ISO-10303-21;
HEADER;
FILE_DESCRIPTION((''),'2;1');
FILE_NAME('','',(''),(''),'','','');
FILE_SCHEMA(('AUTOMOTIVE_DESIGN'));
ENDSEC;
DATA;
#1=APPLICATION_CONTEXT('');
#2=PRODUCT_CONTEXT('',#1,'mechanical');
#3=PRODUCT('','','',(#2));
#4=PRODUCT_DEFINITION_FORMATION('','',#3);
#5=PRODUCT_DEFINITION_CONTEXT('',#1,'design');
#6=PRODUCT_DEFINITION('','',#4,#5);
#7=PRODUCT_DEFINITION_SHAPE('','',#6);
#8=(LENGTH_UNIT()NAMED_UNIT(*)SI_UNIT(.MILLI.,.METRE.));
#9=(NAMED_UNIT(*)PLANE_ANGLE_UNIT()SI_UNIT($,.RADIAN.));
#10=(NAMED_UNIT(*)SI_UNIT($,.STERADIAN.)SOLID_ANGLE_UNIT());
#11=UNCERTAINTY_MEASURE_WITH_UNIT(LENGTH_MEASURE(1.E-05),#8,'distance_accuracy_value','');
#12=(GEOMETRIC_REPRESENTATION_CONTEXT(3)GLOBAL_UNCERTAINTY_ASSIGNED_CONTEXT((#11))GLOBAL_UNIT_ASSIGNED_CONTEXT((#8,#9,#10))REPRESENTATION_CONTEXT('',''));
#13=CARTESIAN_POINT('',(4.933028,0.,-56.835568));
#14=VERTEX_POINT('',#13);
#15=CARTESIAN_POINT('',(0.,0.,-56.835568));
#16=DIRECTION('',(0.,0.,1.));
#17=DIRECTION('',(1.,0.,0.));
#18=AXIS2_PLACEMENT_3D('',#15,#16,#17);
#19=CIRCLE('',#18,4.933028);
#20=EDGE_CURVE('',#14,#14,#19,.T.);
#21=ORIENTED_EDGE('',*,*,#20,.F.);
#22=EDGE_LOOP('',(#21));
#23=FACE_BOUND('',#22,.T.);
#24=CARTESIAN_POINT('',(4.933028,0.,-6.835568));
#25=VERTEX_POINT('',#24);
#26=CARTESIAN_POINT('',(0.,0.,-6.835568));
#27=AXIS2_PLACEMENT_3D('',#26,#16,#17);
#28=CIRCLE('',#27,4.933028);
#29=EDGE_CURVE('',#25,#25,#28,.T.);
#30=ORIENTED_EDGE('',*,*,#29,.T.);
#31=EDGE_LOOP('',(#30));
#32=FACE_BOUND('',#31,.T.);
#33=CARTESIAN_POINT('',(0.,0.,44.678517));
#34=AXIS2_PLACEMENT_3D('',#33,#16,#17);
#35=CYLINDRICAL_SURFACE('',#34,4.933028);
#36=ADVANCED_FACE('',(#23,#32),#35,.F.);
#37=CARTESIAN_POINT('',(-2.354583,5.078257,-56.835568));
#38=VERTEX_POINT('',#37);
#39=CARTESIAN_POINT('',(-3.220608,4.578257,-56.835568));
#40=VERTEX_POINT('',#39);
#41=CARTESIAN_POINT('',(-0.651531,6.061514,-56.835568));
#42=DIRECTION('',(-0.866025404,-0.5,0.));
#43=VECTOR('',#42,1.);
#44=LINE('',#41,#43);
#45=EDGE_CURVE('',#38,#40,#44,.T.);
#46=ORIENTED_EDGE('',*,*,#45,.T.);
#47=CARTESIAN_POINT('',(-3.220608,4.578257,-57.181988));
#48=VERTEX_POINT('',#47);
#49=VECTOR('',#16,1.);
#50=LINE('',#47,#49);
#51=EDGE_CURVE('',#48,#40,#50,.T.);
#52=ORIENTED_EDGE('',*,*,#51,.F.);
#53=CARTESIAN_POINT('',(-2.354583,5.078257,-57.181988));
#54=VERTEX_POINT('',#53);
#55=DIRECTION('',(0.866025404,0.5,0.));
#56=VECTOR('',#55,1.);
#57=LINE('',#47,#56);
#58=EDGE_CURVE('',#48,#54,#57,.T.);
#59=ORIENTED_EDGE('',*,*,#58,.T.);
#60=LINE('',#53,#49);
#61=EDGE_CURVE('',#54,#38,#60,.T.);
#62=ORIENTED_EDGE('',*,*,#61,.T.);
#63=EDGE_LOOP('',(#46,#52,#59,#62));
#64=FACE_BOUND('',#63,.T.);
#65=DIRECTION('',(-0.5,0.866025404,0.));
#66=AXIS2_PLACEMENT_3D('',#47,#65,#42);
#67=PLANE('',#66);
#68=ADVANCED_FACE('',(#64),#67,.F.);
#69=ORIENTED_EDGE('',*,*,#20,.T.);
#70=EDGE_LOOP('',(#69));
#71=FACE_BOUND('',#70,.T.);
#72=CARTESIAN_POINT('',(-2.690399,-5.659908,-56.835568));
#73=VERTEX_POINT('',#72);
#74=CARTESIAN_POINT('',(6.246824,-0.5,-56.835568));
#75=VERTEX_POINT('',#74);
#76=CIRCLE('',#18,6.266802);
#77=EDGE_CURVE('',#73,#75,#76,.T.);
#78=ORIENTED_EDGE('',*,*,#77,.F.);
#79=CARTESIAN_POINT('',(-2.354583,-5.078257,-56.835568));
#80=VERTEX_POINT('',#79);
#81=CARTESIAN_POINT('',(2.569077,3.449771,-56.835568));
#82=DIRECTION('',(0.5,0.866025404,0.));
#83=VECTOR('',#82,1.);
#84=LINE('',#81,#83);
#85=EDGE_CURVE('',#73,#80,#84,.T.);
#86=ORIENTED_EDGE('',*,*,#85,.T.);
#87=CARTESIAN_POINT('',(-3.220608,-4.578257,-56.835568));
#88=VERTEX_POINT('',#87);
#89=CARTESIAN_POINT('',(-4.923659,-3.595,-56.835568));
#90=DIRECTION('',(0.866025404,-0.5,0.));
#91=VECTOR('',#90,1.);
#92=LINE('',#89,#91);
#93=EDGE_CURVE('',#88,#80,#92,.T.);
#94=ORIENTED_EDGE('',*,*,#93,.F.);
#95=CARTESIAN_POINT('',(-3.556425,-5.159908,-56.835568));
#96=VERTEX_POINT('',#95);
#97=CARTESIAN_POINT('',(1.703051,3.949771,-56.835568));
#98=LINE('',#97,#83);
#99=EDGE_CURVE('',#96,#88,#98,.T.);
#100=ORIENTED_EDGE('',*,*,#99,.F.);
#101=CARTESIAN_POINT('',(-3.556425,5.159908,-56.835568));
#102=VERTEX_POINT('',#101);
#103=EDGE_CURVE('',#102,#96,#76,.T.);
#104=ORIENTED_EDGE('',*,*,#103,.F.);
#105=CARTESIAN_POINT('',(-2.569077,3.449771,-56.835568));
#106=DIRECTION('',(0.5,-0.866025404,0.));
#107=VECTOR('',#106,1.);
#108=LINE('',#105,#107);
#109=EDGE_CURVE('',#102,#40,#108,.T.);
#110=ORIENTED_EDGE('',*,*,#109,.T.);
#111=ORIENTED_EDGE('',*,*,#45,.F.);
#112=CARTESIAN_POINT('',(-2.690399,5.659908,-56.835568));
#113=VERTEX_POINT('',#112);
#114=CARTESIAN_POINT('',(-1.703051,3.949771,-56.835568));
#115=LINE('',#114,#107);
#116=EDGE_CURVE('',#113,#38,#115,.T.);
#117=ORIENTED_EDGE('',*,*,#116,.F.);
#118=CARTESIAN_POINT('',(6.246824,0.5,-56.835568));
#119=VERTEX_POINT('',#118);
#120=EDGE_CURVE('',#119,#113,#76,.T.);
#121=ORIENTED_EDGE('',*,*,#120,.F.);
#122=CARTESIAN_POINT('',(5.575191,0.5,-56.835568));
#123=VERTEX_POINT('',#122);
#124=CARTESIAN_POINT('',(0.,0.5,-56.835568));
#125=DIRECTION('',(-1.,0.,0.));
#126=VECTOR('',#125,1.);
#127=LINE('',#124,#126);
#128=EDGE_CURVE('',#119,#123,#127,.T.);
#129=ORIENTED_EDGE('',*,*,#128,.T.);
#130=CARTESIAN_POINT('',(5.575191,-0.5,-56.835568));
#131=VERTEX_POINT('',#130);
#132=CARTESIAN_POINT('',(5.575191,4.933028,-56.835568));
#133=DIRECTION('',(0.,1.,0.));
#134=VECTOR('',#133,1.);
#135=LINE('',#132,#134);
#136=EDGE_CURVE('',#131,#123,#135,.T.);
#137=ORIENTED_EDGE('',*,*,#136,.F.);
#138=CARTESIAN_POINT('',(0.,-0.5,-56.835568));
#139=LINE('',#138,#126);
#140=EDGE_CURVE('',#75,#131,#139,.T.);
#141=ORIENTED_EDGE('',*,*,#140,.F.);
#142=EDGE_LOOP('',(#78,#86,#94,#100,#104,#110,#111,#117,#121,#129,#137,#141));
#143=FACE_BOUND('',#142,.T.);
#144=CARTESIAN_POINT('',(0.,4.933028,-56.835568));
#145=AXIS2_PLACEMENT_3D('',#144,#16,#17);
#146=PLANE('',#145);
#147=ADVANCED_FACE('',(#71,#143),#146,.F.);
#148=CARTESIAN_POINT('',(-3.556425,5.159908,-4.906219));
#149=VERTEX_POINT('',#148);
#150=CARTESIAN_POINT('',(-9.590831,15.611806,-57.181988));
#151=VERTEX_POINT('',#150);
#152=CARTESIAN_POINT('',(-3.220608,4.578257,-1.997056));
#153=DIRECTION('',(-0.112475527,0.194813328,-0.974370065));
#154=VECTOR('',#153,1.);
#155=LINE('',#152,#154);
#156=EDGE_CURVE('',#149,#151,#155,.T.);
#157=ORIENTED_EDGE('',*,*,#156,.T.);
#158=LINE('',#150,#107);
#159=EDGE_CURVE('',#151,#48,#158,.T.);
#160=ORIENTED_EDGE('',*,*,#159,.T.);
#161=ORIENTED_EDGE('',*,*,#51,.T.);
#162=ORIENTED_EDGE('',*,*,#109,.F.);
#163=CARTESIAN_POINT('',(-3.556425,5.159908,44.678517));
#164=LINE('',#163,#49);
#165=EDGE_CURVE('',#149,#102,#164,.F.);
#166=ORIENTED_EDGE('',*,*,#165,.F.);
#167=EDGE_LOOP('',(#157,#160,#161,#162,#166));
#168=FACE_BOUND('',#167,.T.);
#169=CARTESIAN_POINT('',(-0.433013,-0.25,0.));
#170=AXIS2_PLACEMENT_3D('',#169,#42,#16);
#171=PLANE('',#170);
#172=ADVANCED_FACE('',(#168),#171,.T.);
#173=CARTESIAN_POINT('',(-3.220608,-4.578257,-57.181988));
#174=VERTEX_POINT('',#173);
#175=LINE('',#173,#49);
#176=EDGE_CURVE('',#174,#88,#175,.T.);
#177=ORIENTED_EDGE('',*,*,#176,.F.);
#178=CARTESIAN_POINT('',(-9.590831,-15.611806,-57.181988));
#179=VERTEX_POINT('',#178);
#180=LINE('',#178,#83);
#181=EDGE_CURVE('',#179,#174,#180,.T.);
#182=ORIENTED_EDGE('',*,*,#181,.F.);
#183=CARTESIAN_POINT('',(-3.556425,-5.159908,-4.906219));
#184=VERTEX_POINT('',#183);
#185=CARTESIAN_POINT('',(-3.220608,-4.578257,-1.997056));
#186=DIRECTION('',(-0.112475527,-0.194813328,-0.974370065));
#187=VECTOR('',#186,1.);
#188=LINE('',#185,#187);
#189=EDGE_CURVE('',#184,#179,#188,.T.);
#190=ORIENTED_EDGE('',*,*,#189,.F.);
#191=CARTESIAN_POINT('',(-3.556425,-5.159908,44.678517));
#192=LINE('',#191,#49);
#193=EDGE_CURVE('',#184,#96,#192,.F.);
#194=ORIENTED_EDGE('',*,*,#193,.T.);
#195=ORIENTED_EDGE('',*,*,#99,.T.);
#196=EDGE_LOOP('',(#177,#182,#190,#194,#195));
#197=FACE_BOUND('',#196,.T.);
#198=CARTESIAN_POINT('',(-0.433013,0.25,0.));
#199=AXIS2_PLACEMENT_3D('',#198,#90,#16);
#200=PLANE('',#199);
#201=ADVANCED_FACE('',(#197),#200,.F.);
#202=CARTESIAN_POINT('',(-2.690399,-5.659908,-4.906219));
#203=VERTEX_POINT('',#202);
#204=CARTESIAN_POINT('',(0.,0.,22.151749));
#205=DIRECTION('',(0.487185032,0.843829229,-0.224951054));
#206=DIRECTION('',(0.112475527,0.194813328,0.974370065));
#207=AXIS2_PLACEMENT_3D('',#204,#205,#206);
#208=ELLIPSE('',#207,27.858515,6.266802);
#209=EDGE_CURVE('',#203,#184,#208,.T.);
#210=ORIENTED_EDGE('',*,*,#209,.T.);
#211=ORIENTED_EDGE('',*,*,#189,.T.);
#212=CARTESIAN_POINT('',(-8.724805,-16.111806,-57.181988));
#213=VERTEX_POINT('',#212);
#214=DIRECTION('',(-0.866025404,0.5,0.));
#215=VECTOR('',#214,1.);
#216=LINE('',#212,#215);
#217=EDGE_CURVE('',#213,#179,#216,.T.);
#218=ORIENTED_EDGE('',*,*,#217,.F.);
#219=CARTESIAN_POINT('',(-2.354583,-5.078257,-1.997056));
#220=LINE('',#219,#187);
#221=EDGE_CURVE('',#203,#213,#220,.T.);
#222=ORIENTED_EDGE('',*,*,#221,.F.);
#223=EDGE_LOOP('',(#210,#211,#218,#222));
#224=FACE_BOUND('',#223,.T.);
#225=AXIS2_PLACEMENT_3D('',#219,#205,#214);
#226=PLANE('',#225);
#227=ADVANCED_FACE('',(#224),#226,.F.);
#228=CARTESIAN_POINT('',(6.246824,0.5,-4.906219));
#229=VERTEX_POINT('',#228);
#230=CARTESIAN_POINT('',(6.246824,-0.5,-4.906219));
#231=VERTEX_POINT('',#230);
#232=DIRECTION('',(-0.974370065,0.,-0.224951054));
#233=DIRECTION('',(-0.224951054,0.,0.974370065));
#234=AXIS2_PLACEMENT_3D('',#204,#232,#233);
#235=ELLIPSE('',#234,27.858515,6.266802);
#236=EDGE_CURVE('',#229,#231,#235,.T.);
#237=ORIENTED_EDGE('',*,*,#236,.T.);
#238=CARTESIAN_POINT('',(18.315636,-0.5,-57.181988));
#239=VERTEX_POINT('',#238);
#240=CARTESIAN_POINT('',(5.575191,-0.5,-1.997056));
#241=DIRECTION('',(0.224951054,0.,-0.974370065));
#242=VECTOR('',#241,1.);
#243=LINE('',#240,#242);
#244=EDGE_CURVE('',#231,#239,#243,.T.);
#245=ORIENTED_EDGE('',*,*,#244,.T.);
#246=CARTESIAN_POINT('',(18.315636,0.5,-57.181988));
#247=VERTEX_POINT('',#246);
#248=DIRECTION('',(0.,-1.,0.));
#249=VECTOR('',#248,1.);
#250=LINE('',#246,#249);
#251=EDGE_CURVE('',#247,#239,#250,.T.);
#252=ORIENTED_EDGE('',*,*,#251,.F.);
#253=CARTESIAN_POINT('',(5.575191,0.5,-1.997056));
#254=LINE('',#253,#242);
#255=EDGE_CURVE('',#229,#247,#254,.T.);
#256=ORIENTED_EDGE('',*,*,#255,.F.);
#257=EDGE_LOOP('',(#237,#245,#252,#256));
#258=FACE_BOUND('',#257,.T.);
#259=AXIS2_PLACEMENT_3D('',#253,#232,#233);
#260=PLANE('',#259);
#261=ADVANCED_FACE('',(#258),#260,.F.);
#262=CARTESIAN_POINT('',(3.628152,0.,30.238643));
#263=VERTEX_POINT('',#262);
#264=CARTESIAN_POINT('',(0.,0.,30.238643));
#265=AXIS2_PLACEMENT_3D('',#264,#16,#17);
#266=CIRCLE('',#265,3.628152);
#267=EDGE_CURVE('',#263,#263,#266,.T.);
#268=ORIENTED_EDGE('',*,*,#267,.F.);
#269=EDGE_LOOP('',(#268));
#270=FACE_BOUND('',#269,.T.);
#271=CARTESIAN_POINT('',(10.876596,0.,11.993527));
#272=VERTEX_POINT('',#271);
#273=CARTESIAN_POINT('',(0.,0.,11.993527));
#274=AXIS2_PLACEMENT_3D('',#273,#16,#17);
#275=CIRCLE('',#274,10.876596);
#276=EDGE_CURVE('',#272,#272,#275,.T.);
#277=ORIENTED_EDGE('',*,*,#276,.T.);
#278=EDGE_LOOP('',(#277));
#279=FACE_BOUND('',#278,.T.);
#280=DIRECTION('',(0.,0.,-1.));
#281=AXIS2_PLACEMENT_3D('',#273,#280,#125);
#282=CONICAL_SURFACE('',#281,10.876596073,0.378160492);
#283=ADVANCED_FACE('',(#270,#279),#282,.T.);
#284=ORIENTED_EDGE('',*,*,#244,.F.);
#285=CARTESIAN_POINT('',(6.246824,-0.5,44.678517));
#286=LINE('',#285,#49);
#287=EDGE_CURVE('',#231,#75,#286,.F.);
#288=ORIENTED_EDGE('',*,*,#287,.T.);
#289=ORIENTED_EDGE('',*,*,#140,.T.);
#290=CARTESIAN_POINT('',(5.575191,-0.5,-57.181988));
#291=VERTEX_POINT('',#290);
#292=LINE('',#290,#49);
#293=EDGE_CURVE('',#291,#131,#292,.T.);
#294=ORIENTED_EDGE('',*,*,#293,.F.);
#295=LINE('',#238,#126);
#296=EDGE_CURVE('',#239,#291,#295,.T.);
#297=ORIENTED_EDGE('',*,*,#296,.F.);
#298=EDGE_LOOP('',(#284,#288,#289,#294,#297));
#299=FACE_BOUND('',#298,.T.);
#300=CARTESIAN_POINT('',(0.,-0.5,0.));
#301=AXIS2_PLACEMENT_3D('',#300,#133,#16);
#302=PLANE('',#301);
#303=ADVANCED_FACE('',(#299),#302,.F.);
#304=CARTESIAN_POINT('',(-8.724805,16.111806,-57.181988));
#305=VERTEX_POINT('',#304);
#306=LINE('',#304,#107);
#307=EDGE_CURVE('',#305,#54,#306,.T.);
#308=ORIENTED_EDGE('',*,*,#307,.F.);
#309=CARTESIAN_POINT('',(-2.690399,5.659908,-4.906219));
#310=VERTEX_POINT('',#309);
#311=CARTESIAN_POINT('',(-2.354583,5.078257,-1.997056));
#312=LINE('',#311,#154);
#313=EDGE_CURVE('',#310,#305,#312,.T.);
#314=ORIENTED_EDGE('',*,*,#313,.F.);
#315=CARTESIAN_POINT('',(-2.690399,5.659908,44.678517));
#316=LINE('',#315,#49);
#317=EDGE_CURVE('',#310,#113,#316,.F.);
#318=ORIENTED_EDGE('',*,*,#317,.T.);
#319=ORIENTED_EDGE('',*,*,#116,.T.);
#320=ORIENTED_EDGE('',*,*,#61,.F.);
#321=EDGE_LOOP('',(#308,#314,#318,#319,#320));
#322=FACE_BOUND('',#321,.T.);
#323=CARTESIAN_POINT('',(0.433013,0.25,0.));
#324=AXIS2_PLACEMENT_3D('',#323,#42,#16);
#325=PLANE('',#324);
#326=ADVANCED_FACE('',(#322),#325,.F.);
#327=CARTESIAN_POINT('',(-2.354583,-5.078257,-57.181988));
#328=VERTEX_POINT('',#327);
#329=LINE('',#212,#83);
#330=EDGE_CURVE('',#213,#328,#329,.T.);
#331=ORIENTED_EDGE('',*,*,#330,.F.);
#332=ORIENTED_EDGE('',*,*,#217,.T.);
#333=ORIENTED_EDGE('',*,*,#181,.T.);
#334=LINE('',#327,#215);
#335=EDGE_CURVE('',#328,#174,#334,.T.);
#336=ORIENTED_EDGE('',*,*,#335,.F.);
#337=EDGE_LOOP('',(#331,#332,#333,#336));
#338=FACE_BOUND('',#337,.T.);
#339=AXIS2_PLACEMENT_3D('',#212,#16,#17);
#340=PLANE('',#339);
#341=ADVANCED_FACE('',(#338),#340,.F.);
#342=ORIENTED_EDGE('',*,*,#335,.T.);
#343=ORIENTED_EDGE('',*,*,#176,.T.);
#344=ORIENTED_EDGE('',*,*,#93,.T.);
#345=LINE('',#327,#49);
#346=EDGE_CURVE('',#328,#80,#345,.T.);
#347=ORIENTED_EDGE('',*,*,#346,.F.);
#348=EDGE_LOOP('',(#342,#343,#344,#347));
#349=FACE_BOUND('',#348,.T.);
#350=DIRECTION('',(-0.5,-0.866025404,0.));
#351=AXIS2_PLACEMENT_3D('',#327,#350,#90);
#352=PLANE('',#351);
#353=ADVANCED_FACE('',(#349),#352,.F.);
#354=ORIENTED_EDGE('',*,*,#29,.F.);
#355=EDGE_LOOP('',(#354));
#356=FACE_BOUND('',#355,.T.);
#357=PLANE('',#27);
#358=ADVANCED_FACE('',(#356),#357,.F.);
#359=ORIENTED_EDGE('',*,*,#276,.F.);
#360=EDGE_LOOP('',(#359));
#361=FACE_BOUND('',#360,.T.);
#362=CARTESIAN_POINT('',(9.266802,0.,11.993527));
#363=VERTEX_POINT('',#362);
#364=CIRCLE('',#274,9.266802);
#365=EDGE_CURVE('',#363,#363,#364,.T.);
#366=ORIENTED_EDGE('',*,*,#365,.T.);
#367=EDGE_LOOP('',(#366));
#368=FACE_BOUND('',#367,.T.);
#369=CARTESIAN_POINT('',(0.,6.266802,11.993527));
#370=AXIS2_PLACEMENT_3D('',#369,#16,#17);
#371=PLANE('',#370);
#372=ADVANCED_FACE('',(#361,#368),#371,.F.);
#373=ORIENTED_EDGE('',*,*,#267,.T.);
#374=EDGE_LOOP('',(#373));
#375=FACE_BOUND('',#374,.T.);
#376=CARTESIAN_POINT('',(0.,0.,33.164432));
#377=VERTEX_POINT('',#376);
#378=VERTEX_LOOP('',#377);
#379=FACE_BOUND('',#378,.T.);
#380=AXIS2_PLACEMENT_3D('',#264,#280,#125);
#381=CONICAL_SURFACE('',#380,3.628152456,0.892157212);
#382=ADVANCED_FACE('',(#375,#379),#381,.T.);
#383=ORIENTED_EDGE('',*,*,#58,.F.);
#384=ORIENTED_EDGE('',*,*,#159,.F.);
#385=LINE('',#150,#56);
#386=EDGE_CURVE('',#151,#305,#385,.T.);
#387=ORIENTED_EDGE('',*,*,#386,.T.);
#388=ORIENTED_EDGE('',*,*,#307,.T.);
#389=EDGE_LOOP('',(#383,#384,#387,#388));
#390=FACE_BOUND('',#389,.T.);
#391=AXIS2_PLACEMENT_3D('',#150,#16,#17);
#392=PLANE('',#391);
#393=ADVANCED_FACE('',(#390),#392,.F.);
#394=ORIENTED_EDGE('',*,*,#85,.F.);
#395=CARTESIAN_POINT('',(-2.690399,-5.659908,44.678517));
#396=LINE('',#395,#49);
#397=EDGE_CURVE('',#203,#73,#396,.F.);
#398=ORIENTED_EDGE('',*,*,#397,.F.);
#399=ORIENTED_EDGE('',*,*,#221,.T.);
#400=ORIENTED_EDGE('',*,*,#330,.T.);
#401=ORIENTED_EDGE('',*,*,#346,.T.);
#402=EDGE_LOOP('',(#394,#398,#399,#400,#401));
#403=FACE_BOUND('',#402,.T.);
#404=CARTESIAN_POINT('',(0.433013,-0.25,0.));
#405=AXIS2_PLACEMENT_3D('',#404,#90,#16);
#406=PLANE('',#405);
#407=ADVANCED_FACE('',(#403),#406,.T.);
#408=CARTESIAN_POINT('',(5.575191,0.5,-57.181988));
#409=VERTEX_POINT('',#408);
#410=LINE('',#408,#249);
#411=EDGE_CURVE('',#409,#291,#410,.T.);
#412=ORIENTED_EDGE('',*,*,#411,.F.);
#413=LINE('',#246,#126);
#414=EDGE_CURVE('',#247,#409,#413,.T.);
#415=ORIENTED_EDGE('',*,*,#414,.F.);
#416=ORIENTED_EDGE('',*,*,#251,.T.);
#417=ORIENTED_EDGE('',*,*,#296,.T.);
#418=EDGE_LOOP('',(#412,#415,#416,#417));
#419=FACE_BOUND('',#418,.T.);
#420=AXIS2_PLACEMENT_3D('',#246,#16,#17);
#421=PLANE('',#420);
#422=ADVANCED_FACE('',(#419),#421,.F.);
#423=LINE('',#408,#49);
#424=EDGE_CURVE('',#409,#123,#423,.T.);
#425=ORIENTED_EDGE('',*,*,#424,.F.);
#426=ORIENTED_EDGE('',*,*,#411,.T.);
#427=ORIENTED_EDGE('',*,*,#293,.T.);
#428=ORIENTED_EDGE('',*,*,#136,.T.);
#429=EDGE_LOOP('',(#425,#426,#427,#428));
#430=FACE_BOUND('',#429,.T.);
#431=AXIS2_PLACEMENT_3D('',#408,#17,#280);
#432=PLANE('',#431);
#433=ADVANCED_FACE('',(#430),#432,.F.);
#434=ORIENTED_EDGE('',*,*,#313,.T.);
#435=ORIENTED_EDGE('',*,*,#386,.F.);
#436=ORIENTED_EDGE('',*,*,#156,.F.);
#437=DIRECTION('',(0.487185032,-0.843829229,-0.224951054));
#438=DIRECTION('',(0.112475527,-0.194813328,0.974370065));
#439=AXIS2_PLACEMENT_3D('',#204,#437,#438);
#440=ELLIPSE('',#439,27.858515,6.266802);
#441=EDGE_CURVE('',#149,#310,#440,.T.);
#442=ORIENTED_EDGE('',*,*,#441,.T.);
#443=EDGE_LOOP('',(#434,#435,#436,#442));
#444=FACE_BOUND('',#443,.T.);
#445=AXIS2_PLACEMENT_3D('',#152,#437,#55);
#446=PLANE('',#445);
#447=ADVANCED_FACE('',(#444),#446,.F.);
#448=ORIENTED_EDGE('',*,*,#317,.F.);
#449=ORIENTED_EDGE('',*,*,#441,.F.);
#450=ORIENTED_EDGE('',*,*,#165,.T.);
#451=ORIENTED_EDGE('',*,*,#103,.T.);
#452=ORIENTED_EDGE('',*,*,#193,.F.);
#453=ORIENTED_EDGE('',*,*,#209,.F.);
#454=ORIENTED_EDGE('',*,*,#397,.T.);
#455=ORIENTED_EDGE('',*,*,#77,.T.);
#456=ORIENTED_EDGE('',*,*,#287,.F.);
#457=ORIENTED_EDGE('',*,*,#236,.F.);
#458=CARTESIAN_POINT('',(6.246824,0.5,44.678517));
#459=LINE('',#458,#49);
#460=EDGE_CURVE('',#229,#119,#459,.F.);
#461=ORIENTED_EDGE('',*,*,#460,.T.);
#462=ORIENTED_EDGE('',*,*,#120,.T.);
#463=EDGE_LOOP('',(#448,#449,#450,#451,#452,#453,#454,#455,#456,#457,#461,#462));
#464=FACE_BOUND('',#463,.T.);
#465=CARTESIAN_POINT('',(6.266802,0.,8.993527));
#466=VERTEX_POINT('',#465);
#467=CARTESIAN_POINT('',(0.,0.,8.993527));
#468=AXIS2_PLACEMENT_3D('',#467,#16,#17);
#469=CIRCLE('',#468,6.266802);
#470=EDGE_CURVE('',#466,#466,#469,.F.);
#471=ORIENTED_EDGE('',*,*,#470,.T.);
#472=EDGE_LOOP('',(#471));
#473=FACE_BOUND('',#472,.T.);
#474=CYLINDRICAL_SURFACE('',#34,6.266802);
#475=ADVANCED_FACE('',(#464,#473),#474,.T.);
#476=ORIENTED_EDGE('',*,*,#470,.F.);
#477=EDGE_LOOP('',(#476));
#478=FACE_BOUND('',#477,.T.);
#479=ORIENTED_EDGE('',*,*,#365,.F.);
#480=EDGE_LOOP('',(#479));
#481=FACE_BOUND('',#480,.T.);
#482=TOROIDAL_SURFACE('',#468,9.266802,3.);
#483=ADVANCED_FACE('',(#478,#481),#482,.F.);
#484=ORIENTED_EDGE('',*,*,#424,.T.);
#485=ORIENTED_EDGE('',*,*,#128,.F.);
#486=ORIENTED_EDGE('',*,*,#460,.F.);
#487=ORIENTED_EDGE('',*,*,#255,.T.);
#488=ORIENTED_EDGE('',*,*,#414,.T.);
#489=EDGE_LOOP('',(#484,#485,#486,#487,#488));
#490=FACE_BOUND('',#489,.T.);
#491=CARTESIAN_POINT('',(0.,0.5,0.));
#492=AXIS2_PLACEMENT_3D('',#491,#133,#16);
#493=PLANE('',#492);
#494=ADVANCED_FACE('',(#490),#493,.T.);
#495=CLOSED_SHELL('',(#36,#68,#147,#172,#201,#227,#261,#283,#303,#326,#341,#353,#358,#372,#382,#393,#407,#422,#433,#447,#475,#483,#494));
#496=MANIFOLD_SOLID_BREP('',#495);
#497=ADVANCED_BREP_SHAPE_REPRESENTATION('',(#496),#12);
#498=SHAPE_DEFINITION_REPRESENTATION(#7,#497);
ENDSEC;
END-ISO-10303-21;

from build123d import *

# Parameters (mm, degrees)
FILLET1_R           = 3
BOSS_EXTRUDE2_DEPTH = 0.5
CIRPATTERN3_COUNT   = 3


with BuildPart() as part:
    # Sketch1 → Revolve2 (revolve)
    with BuildSketch(Plane(origin=(0, 0, 0), x_dir=(0, 0, -1), z_dir=(1, 0, 0))):
        Polygon((6.835567607, 0), (6.835567607, 4.933028396), (56.835567607, 4.933028396), (56.835567607, 6.266802226), (-11.993527317, 6.266802226), (-11.993527317, 10.876596073), (-30.238642963, 3.628152456), (-33.164432393, 0), align=None)
    revolve(axis=Axis((0, 0, 44.67851679), (0, 0, -1)))

    # Fillet1
    fillet1_edges = [part.edges().sort_by_distance(p)[0] for p in [
        (0, -6.266802226, 11.993527317),
    ]]
    fillet(fillet1_edges, radius=FILLET1_R)

    # Sketch2 → Boss-Extrude2 (add, symmetric)
    with BuildSketch(Plane(origin=(0, 0, 0), x_dir=(1, 0, 0), z_dir=(0, 1, 0))):
        Polygon((5.575190906, 1.997056238), (18.315636179, 57.181987564), (5.575190906, 57.181987564), align=None)
    boss_extrude2 = extrude(amount=BOSS_EXTRUDE2_DEPTH, both=True)

    # CirPattern3: Boss-Extrude2 ×3 about axis
    cirpattern3_axis = Axis((0, 0, -56.835567607), (0, 0, 1))
    for i in range(1, CIRPATTERN3_COUNT):
        add(boss_extrude2.rotate(cirpattern3_axis, i * 360 / CIRPATTERN3_COUNT))


solid = part.part
